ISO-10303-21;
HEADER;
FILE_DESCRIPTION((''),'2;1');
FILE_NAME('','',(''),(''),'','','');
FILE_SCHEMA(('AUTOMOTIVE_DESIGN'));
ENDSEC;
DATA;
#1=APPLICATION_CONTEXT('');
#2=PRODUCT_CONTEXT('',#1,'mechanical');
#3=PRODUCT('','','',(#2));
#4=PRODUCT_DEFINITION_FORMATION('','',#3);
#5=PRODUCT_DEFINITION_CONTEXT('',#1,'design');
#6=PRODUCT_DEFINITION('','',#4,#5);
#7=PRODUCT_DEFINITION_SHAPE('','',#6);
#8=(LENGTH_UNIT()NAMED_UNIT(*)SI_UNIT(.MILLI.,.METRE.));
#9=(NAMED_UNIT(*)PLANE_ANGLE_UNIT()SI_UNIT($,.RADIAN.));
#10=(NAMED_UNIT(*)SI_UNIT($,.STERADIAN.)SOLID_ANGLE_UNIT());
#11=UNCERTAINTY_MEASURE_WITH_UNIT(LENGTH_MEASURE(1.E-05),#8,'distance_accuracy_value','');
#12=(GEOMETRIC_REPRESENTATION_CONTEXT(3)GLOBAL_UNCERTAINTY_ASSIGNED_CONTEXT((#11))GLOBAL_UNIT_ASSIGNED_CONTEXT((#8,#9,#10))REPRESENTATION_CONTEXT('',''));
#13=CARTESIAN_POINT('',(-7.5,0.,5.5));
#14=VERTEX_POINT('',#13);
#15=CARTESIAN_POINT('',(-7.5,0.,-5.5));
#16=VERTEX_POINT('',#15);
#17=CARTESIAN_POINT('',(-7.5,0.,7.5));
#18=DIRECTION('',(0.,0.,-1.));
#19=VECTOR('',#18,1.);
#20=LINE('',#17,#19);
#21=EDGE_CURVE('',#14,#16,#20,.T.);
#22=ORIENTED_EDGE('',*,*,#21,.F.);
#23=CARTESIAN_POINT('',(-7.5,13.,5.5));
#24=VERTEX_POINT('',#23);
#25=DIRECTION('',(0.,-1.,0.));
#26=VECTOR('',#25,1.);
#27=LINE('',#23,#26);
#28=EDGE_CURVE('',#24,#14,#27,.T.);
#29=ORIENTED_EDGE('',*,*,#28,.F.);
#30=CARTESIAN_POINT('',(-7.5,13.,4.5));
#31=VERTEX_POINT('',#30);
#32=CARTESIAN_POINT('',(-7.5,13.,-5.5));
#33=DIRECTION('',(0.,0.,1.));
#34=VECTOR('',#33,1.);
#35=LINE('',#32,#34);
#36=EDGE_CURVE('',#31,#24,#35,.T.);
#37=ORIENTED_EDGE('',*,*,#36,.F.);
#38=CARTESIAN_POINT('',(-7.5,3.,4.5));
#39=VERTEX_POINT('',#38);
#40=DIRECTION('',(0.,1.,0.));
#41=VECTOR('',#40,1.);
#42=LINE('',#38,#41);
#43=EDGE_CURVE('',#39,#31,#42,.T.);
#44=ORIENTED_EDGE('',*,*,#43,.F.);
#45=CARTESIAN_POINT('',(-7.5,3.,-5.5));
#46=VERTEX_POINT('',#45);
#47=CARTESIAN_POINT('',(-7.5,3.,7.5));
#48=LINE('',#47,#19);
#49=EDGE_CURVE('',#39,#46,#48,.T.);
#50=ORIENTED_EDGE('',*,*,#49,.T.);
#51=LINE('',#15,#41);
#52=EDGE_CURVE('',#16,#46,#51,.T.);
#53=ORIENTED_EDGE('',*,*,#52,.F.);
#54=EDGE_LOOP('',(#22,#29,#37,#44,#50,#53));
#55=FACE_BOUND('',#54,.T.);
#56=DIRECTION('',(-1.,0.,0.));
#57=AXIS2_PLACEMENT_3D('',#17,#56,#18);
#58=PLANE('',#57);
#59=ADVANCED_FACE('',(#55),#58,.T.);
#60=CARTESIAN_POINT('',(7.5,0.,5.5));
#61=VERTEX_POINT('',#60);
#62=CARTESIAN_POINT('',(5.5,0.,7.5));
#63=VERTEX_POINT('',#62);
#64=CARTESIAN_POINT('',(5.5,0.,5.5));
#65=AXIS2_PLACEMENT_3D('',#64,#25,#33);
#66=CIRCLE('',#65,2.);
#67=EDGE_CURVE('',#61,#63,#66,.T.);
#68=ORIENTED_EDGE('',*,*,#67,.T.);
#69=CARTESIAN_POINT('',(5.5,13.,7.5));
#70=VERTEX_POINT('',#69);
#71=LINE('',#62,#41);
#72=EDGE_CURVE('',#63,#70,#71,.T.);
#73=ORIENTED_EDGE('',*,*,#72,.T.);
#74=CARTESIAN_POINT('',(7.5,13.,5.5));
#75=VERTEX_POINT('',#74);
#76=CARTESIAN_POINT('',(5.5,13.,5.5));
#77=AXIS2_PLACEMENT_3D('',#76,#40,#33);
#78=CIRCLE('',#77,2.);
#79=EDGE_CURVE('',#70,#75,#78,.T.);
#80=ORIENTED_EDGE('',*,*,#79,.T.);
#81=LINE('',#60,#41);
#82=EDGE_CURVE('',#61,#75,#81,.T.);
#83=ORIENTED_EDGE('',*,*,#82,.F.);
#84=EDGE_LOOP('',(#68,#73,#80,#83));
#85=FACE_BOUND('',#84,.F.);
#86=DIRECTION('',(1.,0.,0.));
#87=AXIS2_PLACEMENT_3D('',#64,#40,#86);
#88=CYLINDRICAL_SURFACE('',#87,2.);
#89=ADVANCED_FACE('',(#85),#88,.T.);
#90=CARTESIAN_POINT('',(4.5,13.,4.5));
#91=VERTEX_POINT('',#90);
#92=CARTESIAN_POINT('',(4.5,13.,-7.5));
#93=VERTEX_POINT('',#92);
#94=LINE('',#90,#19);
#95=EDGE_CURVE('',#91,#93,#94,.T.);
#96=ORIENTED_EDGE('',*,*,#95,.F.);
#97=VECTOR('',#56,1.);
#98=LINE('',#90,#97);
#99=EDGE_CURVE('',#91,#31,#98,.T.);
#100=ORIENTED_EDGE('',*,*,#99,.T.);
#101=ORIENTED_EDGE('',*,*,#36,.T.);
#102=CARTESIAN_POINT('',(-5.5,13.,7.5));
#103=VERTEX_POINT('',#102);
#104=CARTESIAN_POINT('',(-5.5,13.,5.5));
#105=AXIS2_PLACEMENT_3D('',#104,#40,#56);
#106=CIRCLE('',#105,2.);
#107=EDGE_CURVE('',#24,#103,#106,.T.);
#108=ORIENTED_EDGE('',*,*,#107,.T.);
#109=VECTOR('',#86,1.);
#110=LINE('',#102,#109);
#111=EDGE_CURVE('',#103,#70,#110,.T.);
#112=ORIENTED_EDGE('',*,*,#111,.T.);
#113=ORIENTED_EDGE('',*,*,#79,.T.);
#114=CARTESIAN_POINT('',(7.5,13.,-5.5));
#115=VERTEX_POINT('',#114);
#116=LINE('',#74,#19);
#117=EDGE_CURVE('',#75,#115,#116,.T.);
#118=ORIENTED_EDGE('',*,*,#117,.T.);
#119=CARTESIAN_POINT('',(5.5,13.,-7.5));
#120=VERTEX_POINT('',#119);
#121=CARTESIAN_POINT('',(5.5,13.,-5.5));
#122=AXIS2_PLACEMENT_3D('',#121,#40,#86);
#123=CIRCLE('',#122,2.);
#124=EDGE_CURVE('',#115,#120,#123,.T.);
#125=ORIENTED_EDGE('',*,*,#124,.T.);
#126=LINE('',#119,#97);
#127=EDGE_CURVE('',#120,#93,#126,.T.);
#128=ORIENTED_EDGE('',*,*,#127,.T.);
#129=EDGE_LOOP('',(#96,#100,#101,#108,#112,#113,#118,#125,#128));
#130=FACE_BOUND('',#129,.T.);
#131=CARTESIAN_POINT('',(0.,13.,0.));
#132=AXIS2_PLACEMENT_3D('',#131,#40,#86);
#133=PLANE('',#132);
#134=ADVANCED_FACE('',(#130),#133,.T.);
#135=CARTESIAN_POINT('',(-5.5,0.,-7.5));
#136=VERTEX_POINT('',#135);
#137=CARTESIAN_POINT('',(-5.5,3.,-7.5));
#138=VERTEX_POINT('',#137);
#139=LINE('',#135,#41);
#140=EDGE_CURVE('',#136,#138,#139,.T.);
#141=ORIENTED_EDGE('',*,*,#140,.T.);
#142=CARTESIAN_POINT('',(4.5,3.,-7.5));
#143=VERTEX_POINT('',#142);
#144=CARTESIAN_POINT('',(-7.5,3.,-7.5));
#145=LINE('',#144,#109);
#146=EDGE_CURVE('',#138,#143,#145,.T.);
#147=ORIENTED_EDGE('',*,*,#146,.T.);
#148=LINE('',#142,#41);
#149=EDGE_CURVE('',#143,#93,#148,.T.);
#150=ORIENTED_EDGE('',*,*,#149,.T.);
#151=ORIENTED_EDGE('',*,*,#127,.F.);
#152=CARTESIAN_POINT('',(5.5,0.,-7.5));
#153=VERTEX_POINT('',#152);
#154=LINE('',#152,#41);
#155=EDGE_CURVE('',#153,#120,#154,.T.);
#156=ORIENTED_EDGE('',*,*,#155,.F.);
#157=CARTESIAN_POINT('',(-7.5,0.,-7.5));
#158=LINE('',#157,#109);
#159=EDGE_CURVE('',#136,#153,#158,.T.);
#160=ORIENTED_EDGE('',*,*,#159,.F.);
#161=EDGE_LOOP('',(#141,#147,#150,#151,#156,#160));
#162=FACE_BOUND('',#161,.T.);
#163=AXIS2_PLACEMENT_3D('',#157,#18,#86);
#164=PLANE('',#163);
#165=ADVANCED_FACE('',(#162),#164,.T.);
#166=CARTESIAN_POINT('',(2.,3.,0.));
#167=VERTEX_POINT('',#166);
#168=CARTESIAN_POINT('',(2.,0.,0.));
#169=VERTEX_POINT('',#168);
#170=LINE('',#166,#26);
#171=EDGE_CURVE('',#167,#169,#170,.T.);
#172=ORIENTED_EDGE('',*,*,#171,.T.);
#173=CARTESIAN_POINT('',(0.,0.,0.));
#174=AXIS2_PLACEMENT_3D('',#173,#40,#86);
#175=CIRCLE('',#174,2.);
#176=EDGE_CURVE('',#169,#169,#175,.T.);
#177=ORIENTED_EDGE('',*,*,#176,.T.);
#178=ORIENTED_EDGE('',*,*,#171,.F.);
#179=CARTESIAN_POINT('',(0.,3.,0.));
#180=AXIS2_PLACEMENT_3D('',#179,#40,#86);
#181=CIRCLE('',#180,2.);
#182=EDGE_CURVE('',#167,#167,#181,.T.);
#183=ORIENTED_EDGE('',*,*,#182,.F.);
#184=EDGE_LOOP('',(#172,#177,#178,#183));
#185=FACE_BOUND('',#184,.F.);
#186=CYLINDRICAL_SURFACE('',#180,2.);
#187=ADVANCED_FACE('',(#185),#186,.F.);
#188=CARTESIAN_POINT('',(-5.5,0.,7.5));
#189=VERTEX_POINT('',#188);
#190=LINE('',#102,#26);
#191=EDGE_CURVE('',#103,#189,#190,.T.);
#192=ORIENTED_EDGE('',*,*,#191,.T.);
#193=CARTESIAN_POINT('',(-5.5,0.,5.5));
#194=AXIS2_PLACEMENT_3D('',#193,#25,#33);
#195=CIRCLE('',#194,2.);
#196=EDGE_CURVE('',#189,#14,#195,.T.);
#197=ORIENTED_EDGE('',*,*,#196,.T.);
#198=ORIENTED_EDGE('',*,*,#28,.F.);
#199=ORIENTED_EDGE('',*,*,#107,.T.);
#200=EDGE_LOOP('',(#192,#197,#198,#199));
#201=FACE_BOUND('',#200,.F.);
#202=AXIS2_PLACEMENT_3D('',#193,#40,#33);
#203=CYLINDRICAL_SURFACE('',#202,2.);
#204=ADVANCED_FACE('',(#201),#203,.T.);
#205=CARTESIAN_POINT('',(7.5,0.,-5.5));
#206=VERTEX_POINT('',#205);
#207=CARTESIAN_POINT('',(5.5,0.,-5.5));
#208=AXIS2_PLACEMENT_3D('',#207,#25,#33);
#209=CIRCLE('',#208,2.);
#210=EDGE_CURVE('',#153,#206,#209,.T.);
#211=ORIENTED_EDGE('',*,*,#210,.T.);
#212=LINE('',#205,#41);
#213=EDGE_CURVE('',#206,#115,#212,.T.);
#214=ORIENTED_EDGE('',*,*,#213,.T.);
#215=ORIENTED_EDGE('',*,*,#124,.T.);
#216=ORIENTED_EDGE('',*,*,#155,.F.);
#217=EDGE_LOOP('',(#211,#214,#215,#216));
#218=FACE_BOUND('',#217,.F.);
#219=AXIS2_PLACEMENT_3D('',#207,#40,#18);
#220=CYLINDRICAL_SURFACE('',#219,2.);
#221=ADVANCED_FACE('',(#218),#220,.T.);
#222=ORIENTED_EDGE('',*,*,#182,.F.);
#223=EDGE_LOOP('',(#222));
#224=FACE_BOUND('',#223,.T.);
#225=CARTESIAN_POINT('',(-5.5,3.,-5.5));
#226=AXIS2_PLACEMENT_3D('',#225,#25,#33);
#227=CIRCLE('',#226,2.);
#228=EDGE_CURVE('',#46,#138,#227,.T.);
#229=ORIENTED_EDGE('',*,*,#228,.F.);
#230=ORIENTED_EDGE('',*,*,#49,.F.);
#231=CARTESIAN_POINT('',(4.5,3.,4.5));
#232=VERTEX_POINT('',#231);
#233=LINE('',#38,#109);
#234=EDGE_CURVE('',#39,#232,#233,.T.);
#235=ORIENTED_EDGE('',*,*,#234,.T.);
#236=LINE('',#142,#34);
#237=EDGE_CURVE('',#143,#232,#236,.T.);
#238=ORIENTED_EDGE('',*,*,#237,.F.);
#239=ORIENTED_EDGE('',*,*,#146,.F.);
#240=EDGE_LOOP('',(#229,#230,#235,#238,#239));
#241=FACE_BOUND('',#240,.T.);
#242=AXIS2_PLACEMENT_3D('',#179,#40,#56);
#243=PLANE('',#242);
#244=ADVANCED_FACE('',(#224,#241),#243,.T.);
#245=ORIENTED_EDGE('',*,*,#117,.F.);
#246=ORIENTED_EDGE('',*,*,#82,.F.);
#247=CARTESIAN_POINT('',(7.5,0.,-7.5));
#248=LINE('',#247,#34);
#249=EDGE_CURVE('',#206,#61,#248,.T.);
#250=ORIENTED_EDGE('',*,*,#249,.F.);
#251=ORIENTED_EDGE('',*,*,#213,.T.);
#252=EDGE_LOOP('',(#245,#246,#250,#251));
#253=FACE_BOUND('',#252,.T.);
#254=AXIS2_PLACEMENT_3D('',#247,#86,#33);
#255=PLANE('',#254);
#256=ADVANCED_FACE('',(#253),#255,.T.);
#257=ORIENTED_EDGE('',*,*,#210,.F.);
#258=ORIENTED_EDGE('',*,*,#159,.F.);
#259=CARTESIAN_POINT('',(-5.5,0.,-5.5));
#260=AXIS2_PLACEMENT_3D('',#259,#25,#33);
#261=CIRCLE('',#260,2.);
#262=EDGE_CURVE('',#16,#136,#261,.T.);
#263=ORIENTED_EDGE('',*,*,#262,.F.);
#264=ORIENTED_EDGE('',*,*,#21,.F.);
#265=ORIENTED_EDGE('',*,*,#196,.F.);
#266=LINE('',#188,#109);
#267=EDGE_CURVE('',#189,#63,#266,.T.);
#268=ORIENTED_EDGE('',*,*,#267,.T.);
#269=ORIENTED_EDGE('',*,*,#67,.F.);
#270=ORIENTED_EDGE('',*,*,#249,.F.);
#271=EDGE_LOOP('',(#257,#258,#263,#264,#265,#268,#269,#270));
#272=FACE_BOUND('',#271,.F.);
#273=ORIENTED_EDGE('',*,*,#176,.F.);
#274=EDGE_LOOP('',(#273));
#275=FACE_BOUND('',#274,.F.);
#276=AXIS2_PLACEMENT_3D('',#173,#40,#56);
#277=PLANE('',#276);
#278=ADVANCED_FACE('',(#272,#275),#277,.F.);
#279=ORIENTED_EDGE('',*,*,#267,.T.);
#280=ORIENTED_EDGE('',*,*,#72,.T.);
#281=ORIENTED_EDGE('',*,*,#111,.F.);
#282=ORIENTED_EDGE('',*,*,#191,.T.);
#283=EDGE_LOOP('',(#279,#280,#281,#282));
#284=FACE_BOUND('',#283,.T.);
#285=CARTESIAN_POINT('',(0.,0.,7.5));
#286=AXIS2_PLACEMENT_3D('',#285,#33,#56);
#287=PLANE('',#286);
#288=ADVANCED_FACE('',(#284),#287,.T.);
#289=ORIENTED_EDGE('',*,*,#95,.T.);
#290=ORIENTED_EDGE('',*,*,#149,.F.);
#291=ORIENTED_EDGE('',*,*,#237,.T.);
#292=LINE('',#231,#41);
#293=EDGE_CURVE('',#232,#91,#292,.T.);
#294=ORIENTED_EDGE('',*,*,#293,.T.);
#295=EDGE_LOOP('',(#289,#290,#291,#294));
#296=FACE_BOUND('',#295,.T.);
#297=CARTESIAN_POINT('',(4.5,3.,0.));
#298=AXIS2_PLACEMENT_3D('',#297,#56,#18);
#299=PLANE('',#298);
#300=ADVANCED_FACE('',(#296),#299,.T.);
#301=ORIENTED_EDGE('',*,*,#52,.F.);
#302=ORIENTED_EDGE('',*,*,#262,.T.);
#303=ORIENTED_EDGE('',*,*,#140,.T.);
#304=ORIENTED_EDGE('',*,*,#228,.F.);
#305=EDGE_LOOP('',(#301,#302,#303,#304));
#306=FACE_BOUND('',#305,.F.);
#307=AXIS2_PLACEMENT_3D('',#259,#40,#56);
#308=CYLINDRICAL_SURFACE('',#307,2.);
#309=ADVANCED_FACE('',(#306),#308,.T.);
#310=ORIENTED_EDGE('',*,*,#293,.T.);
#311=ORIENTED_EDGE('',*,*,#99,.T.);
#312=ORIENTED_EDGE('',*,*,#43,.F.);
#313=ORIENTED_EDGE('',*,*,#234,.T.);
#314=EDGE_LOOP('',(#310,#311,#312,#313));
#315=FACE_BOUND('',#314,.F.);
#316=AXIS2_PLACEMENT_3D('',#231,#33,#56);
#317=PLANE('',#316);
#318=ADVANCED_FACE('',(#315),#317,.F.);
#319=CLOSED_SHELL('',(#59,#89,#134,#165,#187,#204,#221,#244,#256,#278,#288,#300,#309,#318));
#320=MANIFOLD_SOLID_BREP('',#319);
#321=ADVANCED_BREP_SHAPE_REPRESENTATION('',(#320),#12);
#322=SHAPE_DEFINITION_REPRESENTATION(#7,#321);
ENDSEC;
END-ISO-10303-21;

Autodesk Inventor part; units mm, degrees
ref_plane "YZ Plane" through (0, 0, 0) normal (1, 0, 0) x (0, 1, 0)
ref_plane "XZ Plane" through (0, 0, 0) normal (0, 1, 0) x (-1, 0, 0)
ref_plane "XY Plane" through (0, 0, 0) normal (0, 0, 1) x (1, 0, 0)
sketch "Sketch1" plane through (0, 0, 0) normal (0, 1, 0) x (-1, 0, 0)
  line L0 (0, 0) -> (0, 7.5)
  line L1 (0, 7.5) -> (7.5, 7.5)
  line L2 (7.5, 7.5) -> (7.5, -7.5)
  line L3 (7.5, -7.5) -> (-7.5, -7.5)
  line L4 (-7.5, -7.5) -> (-7.5, 7.5)
  line L5 (-7.5, 7.5) -> (0, 7.5)
  dimension "d0" = 7.5
  dimension "d1" = 7.5
  dimension "d2" = 15
  dimension "d3" = 15
extrude "Extrusion1" add sketch "Sketch1" along normal blind 3
fillet "Fillet1" radius 2 4 edges at (7.5, 1.5, 7.5) (7.5, 1.5, -7.5) (-7.5, 1.5, 7.5) (-7.5, 1.5, -7.5)
sketch "Sketch2" plane through (0, 3, 0) normal (0, 1, 0) x (1, 0, 0)
  circle A0 centre (0, 0) radius 2
  dimension "d7" = 4
extrude "Extrusion2" cut sketch "Sketch2" against normal blind 3
sketch "Sketch3" plane through (0, 3, 0) normal (0, 1, 0) x (1, 0, 0)
  line L0 (0, 0) -> (7.5, 0)
  line L1 (7.5, -5.5) -> (7.5, 5.5) projected
  line L2 (7.5, 0) -> (4.5, 0)
  line L3 (4.5, 0) -> (4.5, 4.5)
  line L4 (4.5, 4.5) -> (4.5, -4.5)
  line L5 (4.5, -4.5) -> (-4.5, -4.5)
  line L6 (-4.5, -4.5) -> (-7.5, -4.5)
  line L7 (-7.5, 5.5) -> (-7.5, -5.5) projected
  line L8 (4.5, 4.5) -> (4.5, 7.5)
  line L9 (5.5, 7.5) -> (-5.5, 7.5) projected
  line L10 (4.5, 7.5) -> (5.5, 7.5)
  line L11 (7.5, 5.5) -> (7.5, -5.5)
  line L12 (-5.5, -7.5) -> (5.5, -7.5) projected
  line L13 (5.5, -7.5) -> (-5.5, -7.5)
  arc A0 (7.5, 5.5) -> (5.5, 7.5) centre (5.5, 5.5) ccw projected
  arc A1 (7.5, 5.5) -> (5.5, 7.5) centre (5.5, 5.5) ccw
  arc A2 (5.5, -7.5) -> (7.5, -5.5) centre (5.5, -5.5) ccw projected
  arc A3 (5.5, -7.5) -> (7.5, -5.5) centre (5.5, -5.5) ccw
  line L14 (-7.5, -4.5) -> (-7.5, -5.5)
  arc A4 (-7.5, -5.5) -> (-5.5, -7.5) centre (-5.5, -5.5) ccw projected
  arc A5 (-7.5, -5.5) -> (-5.5, -7.5) centre (-5.5, -5.5) ccw
  dimension "d10" = 3
  dimension "d11" = 4.5
  dimension "d12" = 9
  dimension "d13" = 9
  dimension "d14" = 3
extrude "Extrusion3" add sketch "Sketch3" along normal blind 10
properties part number "legs"
